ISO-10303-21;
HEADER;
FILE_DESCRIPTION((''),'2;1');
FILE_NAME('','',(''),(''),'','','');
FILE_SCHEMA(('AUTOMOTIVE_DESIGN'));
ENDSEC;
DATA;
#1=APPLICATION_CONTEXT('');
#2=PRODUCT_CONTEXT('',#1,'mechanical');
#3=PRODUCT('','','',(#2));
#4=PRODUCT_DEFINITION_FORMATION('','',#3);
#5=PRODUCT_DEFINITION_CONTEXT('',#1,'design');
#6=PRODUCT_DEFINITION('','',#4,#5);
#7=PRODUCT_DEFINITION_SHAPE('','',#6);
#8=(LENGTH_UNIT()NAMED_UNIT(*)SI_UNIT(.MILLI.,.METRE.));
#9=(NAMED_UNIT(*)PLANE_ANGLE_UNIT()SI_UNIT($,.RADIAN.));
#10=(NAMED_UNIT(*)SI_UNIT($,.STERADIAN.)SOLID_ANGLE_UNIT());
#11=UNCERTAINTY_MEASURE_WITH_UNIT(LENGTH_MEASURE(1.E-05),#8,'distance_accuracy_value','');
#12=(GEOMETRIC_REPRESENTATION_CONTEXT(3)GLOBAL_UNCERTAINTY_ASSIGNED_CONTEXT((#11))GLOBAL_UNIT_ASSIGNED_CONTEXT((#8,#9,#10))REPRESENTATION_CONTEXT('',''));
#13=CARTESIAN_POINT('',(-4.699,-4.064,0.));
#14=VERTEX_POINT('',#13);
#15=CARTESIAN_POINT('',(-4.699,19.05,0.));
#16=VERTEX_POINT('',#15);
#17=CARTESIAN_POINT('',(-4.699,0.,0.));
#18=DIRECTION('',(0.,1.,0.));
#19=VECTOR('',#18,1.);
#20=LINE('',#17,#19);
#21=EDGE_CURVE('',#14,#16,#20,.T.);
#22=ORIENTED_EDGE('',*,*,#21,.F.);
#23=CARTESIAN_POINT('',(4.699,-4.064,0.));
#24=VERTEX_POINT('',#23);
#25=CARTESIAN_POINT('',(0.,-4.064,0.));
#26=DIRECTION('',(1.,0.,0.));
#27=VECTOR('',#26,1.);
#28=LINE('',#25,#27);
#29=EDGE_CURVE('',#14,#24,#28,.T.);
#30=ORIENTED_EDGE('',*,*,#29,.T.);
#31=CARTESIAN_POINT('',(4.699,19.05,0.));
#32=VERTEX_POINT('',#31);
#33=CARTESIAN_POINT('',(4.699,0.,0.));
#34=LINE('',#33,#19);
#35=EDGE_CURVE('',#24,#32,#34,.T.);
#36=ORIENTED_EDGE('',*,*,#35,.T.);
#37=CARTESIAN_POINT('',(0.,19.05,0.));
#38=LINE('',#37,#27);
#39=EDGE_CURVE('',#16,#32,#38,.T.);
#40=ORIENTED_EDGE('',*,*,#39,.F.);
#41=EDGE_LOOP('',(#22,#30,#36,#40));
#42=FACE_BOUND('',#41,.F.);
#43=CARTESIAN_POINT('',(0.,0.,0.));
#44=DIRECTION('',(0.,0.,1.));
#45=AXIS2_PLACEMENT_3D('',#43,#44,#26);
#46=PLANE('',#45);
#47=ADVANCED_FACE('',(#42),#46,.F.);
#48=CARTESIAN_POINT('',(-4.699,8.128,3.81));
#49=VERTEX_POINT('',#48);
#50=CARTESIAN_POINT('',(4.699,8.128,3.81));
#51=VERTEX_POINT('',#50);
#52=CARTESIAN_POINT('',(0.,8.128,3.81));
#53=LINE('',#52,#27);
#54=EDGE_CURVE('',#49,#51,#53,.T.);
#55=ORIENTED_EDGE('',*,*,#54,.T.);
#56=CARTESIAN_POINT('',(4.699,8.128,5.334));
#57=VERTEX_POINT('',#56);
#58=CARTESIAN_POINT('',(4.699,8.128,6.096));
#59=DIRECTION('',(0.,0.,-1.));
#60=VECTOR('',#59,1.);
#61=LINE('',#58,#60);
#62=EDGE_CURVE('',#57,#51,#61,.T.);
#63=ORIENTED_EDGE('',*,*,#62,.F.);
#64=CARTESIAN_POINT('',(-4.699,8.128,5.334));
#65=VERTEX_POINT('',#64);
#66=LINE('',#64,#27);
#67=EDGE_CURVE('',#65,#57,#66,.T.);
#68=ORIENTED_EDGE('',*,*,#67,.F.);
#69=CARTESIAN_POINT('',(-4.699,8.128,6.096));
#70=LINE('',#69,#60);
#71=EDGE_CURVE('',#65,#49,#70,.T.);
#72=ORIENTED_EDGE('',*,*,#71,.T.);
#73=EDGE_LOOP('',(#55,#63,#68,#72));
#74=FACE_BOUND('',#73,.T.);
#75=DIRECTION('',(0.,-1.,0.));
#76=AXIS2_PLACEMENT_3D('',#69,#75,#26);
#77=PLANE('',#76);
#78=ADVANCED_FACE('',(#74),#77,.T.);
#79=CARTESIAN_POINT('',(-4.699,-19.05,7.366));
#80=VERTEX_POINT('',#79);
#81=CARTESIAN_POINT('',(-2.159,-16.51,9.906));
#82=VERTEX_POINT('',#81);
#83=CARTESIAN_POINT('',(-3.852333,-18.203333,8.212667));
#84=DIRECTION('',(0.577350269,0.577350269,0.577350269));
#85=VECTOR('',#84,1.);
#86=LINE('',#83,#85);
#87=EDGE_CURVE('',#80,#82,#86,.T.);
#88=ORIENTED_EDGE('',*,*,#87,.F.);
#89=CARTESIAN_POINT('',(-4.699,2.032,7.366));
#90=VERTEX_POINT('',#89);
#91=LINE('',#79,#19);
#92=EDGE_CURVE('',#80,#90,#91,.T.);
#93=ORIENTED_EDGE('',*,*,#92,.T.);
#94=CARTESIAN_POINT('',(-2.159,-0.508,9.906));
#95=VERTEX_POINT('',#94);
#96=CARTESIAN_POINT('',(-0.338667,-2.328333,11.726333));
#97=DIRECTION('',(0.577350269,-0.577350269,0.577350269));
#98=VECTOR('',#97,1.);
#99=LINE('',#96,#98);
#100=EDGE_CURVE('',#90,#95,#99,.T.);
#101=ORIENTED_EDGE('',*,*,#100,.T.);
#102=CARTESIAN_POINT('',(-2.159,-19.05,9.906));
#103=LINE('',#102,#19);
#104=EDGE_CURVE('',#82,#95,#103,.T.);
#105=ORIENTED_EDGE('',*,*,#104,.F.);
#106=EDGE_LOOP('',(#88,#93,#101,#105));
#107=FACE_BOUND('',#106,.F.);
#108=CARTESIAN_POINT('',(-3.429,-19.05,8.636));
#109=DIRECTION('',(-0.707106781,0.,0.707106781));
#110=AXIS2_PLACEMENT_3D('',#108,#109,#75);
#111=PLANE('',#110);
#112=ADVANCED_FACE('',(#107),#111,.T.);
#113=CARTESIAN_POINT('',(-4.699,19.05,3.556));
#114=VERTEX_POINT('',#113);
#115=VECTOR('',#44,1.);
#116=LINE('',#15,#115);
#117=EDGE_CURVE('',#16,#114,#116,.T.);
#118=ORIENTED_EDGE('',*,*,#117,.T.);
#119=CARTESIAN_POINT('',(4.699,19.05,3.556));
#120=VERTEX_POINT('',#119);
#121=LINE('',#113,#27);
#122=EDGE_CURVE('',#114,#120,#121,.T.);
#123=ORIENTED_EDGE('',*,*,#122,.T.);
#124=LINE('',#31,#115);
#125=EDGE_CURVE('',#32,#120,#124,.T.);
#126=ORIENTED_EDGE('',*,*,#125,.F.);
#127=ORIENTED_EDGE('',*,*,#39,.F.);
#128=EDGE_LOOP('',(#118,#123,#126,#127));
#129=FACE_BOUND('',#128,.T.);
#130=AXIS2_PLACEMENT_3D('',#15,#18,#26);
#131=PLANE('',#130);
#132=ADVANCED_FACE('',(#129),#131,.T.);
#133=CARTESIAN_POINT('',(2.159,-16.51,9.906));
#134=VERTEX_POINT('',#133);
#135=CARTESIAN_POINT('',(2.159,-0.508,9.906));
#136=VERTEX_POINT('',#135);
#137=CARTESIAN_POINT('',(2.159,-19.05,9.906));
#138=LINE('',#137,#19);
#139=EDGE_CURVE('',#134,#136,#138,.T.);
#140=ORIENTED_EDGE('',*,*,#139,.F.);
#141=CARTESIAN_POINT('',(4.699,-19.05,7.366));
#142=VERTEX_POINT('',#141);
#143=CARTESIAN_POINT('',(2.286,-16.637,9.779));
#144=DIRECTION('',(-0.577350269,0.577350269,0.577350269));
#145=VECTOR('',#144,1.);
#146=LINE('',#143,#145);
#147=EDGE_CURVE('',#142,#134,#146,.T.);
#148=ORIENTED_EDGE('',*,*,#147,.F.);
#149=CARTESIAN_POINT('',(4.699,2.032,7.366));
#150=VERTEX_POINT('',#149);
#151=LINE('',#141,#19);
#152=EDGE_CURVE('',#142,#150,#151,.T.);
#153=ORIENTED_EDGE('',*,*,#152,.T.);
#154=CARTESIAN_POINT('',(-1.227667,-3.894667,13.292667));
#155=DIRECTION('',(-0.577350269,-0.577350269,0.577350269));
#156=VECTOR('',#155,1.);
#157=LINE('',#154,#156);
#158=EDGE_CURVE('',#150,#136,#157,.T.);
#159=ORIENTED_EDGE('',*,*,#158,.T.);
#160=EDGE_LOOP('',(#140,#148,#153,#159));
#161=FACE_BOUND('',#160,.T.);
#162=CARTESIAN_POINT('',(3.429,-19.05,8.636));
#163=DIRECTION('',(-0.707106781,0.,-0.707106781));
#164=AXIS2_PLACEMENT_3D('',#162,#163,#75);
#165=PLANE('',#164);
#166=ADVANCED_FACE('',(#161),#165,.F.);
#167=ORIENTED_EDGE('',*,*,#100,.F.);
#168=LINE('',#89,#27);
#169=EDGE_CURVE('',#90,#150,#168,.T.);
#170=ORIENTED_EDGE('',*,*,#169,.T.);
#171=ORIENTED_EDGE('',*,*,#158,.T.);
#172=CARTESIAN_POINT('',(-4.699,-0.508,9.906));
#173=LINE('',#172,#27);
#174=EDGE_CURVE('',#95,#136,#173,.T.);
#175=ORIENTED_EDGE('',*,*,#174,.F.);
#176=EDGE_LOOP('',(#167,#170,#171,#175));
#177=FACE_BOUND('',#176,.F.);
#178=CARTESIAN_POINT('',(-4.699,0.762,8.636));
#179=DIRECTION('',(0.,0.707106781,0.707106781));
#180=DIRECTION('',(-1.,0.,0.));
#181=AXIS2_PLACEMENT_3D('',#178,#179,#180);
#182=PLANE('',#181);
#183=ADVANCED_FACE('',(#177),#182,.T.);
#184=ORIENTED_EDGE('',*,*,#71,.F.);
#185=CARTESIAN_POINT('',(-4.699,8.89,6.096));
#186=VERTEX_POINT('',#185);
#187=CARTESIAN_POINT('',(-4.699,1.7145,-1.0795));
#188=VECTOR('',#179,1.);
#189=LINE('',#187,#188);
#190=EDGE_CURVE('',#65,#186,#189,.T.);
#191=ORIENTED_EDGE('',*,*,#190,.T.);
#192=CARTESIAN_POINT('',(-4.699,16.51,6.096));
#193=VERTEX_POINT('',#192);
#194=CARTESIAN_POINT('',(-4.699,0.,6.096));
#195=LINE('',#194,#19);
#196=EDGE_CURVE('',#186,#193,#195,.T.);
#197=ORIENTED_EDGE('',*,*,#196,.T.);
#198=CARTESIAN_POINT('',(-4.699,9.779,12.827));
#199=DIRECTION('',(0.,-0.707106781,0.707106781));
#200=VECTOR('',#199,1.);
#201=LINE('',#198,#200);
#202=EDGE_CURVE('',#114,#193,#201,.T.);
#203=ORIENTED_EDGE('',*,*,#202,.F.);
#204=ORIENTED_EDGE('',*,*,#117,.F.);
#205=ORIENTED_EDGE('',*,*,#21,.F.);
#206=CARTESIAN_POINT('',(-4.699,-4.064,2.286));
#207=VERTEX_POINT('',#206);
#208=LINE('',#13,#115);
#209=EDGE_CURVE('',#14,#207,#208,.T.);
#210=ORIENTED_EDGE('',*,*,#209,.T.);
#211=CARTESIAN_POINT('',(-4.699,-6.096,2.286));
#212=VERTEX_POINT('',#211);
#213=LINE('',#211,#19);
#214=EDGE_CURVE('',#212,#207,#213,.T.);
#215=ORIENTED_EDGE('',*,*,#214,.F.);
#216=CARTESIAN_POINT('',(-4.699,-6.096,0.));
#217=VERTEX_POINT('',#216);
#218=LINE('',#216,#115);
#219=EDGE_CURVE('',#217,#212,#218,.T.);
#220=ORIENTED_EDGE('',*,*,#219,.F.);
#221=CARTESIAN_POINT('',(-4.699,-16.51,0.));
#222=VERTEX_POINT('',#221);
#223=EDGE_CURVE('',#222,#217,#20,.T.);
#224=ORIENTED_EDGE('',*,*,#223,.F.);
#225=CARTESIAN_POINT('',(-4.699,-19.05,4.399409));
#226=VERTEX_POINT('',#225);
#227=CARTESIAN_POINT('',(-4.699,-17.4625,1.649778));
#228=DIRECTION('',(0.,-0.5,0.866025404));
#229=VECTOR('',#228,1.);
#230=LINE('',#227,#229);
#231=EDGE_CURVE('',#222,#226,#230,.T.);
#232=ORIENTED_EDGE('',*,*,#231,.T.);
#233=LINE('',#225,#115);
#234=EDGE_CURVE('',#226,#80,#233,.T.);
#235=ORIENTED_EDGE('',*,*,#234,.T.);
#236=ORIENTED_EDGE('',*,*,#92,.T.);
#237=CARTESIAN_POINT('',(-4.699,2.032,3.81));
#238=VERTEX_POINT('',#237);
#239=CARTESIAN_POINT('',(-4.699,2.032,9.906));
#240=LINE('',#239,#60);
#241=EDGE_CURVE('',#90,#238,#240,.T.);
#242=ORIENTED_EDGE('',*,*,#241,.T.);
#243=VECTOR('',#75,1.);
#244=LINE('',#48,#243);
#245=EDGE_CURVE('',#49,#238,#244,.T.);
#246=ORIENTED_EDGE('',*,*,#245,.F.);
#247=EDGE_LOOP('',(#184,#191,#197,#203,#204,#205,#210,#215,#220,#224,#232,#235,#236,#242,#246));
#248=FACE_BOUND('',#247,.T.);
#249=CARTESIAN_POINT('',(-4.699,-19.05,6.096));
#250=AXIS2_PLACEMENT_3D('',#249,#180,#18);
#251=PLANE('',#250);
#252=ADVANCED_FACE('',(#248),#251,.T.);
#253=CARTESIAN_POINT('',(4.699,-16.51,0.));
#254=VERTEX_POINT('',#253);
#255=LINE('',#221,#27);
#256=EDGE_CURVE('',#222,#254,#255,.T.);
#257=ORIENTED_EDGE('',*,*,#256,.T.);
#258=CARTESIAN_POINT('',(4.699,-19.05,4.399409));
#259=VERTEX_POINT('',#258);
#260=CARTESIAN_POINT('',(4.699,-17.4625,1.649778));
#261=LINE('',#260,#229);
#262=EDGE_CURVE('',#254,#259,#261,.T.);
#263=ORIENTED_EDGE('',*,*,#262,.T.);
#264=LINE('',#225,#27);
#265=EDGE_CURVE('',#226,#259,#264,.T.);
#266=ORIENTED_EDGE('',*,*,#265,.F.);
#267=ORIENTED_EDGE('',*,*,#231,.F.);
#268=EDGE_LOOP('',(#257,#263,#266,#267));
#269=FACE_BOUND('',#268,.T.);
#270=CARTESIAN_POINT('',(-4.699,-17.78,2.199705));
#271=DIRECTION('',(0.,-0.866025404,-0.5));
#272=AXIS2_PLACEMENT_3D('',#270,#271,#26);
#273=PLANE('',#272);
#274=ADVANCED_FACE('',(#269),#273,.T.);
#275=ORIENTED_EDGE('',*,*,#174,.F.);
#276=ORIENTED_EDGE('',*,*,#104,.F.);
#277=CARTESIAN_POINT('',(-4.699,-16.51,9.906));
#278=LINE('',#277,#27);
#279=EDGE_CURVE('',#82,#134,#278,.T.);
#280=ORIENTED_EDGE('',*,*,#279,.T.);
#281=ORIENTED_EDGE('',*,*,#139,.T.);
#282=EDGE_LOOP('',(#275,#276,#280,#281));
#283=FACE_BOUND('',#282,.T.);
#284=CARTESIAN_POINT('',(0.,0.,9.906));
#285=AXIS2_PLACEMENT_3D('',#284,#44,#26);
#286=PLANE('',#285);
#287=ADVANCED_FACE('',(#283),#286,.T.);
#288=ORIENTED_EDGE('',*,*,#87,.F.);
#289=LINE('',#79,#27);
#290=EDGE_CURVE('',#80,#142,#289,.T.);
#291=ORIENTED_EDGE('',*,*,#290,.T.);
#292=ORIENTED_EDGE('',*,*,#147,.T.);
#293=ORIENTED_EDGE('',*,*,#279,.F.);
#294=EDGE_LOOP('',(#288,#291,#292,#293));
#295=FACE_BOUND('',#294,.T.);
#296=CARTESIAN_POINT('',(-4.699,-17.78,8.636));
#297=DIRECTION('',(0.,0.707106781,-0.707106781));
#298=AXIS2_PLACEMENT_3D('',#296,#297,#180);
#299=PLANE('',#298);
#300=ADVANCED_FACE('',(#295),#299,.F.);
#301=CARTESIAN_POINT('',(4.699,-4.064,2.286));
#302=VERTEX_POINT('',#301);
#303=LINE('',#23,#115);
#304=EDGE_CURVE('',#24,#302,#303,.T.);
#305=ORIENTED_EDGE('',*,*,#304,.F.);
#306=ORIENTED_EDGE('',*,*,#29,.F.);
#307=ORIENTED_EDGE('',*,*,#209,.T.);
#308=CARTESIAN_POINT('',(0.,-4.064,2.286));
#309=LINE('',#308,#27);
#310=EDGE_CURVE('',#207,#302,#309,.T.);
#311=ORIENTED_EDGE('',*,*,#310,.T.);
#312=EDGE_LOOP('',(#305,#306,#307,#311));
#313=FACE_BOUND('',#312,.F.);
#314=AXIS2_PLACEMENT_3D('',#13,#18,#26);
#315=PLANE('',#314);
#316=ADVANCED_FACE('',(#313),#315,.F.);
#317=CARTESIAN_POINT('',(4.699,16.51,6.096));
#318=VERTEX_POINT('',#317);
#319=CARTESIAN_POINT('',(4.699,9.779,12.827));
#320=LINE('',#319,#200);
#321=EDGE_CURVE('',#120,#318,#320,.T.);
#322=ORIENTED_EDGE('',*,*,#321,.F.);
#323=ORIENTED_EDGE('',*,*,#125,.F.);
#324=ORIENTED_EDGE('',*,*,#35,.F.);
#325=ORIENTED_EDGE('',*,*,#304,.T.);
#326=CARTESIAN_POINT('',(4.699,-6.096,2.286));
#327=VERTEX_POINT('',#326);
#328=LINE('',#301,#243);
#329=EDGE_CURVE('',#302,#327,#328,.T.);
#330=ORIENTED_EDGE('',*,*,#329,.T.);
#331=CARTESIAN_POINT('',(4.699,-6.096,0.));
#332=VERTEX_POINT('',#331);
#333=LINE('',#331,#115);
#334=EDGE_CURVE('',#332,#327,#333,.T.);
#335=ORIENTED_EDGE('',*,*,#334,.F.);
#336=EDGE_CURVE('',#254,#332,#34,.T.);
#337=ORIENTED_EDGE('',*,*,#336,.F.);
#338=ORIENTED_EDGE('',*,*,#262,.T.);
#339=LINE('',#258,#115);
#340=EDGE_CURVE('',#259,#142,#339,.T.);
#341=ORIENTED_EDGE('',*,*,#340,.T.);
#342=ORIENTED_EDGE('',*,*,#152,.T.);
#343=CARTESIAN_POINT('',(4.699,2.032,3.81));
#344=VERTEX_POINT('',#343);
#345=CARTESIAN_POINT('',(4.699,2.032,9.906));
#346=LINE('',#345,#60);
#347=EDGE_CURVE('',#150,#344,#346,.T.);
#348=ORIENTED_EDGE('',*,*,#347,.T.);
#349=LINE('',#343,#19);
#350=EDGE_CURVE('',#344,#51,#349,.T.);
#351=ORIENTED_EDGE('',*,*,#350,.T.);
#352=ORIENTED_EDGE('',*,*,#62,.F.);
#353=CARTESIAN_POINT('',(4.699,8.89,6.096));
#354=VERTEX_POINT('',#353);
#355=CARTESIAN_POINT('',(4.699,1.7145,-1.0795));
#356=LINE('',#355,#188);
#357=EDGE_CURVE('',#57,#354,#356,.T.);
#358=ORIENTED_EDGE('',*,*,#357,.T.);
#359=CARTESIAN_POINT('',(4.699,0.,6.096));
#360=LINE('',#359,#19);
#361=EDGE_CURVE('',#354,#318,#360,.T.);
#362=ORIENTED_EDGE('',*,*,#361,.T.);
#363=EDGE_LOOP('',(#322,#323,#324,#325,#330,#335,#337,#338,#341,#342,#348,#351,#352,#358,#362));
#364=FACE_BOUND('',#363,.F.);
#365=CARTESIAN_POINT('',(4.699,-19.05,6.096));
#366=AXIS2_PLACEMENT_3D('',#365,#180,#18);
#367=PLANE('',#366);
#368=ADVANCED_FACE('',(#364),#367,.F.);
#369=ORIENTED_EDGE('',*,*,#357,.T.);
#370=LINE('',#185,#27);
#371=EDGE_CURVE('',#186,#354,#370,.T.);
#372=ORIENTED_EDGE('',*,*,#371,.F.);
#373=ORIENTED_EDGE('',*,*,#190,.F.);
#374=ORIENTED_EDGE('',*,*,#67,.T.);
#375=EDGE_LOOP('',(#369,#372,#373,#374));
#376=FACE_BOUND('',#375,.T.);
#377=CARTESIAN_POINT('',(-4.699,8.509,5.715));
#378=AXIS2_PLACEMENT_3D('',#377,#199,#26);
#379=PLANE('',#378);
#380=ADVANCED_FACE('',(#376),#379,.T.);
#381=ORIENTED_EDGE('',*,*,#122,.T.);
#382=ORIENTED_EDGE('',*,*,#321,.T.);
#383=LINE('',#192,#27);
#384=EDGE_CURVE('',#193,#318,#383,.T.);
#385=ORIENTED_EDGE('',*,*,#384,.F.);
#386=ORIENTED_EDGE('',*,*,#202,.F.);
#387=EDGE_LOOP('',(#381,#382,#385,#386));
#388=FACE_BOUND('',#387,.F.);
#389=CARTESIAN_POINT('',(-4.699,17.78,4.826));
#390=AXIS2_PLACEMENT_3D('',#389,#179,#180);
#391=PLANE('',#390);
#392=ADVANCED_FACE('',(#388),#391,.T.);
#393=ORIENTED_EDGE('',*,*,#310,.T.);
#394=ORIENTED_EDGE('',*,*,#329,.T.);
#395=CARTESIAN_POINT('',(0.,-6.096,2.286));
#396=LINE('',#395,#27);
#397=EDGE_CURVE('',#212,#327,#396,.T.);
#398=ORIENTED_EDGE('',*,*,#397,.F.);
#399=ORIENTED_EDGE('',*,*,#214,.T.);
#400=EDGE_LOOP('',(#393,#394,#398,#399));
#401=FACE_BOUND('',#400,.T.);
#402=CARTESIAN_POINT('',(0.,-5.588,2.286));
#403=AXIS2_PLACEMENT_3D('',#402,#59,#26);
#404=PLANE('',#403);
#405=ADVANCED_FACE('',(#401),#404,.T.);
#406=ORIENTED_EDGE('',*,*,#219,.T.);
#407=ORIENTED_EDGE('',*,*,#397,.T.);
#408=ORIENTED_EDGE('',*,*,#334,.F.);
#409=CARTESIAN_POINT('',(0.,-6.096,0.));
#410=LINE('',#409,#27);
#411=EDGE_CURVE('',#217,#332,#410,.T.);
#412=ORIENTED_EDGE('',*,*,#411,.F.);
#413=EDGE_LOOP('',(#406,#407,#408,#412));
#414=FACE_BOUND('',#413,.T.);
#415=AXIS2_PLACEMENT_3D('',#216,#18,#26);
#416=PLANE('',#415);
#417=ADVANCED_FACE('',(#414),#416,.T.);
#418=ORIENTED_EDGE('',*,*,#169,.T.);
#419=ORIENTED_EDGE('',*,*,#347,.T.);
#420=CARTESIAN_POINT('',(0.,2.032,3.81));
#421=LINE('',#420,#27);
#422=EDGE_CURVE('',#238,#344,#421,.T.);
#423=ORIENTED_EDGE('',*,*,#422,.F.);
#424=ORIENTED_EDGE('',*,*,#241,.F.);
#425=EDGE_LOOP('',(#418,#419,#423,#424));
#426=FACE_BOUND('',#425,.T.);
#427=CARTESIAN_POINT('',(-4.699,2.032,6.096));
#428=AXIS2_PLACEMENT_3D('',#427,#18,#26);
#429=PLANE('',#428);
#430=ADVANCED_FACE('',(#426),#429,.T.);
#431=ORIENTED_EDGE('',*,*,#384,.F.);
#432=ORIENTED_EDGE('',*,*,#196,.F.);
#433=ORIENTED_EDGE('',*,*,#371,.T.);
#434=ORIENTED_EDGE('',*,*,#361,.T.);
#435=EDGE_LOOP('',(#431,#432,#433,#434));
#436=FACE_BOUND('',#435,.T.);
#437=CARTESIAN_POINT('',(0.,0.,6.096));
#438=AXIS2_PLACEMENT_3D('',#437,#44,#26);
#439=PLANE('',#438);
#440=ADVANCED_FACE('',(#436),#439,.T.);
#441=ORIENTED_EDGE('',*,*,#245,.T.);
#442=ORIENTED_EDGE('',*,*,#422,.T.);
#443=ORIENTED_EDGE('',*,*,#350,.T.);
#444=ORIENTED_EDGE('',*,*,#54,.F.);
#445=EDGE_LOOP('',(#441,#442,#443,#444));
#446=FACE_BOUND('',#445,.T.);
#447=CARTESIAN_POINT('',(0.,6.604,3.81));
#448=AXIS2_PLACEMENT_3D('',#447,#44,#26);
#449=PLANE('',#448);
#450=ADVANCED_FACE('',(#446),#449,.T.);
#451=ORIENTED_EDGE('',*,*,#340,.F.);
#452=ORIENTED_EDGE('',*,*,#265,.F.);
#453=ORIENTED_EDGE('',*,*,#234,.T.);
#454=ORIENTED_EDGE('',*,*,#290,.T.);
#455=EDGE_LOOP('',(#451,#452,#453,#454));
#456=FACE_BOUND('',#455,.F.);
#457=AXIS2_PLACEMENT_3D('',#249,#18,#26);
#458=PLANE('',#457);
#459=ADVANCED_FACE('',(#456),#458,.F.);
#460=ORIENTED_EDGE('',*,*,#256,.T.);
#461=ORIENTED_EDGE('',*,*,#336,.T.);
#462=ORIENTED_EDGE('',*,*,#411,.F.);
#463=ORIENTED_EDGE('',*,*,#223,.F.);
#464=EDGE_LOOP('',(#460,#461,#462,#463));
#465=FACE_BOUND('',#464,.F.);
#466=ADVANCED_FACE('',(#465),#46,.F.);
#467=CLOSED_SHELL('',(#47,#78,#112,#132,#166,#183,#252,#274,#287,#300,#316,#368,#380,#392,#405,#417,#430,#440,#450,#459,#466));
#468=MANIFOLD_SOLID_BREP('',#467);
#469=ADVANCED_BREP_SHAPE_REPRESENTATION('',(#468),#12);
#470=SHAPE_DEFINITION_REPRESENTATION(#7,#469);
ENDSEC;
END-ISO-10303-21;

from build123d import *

# Parameters (mm, degrees)
F0_W     = 9.398
F0_H     = 38.1
F1_DEPTH = 6.096
F2_W     = 9.398
F2_H     = 3.048
F3_DEPTH = 2.286
F4_W     = 9.398
F4_H     = 1.016
F5_DEPTH = 2.286
F6_SIZE2 = 4.3994090512
F6_SIZE  = 2.54
F7_SIZE  = 2.54
F8_DEPTH = 3.81
F9_SIZE  = 2.54
F10_SIZE = 0.762


with BuildPart() as f1:
    # F0 (on Top) → F1 (new body)
    with BuildSketch(Plane.XY):
        Rectangle(F0_W, F0_H)
    extrude(amount=F1_DEPTH)

    # F2 (on face) → F3 (cut)
    with BuildSketch(Plane.XY.offset(6.096)):
        with Locations((0, 6.604)):
            Rectangle(F2_W, F2_H)
        with Locations((0, 3.556)):
            Rectangle(F2_W, F2_H)
    extrude(amount=-F3_DEPTH, mode=Mode.SUBTRACT)

    # F4 (on face) → F5 (cut)
    with BuildSketch(Plane(origin=(0, 0, 0), x_dir=(1, 0, 0), z_dir=(0, 0, -1))):
        with Locations((0, 5.588)):
            Rectangle(F4_W, F4_H)
        with Locations((0, 4.572)):
            Rectangle(F4_W, F4_H)
    extrude(amount=-F5_DEPTH, mode=Mode.SUBTRACT)

    # F6
    f6_edges = [f1.edges().sort_by_distance(p)[0] for p in [
        (0, -19.05, 0),
    ]]
    f6_side = f1.faces().sort_by_distance((0, -12.573, 0))[0]
    chamfer(f6_edges, length=F6_SIZE, length2=F6_SIZE2, reference=f6_side)

    # F7
    f7_edges = [f1.edges().sort_by_distance(p)[0] for p in [
        (0, 19.05, 6.096),
    ]]
    chamfer(f7_edges, length=F7_SIZE)

    # F8 (add): a face of the model
    f8_faces = [f1.faces().sort_by_distance(p)[0] for p in [
        (0, -8.509, 6.096),
    ]]
    extrude(f8_faces, amount=F8_DEPTH)

    # F9
    f9_edges = [f1.edges().sort_by_distance(p)[0] for p in [
        (0, 2.032, 9.906),
        (0, -19.05, 9.906),
        (-4.699, -8.509, 9.906),
        (4.699, -8.509, 9.906),
    ]]
    chamfer(f9_edges, length=F9_SIZE)

    # F10
    f10_edges = [f1.edges().sort_by_distance(p)[0] for p in [
        (0, 8.128, 6.096),
    ]]
    chamfer(f10_edges, length=F10_SIZE)


solid = f1.part
